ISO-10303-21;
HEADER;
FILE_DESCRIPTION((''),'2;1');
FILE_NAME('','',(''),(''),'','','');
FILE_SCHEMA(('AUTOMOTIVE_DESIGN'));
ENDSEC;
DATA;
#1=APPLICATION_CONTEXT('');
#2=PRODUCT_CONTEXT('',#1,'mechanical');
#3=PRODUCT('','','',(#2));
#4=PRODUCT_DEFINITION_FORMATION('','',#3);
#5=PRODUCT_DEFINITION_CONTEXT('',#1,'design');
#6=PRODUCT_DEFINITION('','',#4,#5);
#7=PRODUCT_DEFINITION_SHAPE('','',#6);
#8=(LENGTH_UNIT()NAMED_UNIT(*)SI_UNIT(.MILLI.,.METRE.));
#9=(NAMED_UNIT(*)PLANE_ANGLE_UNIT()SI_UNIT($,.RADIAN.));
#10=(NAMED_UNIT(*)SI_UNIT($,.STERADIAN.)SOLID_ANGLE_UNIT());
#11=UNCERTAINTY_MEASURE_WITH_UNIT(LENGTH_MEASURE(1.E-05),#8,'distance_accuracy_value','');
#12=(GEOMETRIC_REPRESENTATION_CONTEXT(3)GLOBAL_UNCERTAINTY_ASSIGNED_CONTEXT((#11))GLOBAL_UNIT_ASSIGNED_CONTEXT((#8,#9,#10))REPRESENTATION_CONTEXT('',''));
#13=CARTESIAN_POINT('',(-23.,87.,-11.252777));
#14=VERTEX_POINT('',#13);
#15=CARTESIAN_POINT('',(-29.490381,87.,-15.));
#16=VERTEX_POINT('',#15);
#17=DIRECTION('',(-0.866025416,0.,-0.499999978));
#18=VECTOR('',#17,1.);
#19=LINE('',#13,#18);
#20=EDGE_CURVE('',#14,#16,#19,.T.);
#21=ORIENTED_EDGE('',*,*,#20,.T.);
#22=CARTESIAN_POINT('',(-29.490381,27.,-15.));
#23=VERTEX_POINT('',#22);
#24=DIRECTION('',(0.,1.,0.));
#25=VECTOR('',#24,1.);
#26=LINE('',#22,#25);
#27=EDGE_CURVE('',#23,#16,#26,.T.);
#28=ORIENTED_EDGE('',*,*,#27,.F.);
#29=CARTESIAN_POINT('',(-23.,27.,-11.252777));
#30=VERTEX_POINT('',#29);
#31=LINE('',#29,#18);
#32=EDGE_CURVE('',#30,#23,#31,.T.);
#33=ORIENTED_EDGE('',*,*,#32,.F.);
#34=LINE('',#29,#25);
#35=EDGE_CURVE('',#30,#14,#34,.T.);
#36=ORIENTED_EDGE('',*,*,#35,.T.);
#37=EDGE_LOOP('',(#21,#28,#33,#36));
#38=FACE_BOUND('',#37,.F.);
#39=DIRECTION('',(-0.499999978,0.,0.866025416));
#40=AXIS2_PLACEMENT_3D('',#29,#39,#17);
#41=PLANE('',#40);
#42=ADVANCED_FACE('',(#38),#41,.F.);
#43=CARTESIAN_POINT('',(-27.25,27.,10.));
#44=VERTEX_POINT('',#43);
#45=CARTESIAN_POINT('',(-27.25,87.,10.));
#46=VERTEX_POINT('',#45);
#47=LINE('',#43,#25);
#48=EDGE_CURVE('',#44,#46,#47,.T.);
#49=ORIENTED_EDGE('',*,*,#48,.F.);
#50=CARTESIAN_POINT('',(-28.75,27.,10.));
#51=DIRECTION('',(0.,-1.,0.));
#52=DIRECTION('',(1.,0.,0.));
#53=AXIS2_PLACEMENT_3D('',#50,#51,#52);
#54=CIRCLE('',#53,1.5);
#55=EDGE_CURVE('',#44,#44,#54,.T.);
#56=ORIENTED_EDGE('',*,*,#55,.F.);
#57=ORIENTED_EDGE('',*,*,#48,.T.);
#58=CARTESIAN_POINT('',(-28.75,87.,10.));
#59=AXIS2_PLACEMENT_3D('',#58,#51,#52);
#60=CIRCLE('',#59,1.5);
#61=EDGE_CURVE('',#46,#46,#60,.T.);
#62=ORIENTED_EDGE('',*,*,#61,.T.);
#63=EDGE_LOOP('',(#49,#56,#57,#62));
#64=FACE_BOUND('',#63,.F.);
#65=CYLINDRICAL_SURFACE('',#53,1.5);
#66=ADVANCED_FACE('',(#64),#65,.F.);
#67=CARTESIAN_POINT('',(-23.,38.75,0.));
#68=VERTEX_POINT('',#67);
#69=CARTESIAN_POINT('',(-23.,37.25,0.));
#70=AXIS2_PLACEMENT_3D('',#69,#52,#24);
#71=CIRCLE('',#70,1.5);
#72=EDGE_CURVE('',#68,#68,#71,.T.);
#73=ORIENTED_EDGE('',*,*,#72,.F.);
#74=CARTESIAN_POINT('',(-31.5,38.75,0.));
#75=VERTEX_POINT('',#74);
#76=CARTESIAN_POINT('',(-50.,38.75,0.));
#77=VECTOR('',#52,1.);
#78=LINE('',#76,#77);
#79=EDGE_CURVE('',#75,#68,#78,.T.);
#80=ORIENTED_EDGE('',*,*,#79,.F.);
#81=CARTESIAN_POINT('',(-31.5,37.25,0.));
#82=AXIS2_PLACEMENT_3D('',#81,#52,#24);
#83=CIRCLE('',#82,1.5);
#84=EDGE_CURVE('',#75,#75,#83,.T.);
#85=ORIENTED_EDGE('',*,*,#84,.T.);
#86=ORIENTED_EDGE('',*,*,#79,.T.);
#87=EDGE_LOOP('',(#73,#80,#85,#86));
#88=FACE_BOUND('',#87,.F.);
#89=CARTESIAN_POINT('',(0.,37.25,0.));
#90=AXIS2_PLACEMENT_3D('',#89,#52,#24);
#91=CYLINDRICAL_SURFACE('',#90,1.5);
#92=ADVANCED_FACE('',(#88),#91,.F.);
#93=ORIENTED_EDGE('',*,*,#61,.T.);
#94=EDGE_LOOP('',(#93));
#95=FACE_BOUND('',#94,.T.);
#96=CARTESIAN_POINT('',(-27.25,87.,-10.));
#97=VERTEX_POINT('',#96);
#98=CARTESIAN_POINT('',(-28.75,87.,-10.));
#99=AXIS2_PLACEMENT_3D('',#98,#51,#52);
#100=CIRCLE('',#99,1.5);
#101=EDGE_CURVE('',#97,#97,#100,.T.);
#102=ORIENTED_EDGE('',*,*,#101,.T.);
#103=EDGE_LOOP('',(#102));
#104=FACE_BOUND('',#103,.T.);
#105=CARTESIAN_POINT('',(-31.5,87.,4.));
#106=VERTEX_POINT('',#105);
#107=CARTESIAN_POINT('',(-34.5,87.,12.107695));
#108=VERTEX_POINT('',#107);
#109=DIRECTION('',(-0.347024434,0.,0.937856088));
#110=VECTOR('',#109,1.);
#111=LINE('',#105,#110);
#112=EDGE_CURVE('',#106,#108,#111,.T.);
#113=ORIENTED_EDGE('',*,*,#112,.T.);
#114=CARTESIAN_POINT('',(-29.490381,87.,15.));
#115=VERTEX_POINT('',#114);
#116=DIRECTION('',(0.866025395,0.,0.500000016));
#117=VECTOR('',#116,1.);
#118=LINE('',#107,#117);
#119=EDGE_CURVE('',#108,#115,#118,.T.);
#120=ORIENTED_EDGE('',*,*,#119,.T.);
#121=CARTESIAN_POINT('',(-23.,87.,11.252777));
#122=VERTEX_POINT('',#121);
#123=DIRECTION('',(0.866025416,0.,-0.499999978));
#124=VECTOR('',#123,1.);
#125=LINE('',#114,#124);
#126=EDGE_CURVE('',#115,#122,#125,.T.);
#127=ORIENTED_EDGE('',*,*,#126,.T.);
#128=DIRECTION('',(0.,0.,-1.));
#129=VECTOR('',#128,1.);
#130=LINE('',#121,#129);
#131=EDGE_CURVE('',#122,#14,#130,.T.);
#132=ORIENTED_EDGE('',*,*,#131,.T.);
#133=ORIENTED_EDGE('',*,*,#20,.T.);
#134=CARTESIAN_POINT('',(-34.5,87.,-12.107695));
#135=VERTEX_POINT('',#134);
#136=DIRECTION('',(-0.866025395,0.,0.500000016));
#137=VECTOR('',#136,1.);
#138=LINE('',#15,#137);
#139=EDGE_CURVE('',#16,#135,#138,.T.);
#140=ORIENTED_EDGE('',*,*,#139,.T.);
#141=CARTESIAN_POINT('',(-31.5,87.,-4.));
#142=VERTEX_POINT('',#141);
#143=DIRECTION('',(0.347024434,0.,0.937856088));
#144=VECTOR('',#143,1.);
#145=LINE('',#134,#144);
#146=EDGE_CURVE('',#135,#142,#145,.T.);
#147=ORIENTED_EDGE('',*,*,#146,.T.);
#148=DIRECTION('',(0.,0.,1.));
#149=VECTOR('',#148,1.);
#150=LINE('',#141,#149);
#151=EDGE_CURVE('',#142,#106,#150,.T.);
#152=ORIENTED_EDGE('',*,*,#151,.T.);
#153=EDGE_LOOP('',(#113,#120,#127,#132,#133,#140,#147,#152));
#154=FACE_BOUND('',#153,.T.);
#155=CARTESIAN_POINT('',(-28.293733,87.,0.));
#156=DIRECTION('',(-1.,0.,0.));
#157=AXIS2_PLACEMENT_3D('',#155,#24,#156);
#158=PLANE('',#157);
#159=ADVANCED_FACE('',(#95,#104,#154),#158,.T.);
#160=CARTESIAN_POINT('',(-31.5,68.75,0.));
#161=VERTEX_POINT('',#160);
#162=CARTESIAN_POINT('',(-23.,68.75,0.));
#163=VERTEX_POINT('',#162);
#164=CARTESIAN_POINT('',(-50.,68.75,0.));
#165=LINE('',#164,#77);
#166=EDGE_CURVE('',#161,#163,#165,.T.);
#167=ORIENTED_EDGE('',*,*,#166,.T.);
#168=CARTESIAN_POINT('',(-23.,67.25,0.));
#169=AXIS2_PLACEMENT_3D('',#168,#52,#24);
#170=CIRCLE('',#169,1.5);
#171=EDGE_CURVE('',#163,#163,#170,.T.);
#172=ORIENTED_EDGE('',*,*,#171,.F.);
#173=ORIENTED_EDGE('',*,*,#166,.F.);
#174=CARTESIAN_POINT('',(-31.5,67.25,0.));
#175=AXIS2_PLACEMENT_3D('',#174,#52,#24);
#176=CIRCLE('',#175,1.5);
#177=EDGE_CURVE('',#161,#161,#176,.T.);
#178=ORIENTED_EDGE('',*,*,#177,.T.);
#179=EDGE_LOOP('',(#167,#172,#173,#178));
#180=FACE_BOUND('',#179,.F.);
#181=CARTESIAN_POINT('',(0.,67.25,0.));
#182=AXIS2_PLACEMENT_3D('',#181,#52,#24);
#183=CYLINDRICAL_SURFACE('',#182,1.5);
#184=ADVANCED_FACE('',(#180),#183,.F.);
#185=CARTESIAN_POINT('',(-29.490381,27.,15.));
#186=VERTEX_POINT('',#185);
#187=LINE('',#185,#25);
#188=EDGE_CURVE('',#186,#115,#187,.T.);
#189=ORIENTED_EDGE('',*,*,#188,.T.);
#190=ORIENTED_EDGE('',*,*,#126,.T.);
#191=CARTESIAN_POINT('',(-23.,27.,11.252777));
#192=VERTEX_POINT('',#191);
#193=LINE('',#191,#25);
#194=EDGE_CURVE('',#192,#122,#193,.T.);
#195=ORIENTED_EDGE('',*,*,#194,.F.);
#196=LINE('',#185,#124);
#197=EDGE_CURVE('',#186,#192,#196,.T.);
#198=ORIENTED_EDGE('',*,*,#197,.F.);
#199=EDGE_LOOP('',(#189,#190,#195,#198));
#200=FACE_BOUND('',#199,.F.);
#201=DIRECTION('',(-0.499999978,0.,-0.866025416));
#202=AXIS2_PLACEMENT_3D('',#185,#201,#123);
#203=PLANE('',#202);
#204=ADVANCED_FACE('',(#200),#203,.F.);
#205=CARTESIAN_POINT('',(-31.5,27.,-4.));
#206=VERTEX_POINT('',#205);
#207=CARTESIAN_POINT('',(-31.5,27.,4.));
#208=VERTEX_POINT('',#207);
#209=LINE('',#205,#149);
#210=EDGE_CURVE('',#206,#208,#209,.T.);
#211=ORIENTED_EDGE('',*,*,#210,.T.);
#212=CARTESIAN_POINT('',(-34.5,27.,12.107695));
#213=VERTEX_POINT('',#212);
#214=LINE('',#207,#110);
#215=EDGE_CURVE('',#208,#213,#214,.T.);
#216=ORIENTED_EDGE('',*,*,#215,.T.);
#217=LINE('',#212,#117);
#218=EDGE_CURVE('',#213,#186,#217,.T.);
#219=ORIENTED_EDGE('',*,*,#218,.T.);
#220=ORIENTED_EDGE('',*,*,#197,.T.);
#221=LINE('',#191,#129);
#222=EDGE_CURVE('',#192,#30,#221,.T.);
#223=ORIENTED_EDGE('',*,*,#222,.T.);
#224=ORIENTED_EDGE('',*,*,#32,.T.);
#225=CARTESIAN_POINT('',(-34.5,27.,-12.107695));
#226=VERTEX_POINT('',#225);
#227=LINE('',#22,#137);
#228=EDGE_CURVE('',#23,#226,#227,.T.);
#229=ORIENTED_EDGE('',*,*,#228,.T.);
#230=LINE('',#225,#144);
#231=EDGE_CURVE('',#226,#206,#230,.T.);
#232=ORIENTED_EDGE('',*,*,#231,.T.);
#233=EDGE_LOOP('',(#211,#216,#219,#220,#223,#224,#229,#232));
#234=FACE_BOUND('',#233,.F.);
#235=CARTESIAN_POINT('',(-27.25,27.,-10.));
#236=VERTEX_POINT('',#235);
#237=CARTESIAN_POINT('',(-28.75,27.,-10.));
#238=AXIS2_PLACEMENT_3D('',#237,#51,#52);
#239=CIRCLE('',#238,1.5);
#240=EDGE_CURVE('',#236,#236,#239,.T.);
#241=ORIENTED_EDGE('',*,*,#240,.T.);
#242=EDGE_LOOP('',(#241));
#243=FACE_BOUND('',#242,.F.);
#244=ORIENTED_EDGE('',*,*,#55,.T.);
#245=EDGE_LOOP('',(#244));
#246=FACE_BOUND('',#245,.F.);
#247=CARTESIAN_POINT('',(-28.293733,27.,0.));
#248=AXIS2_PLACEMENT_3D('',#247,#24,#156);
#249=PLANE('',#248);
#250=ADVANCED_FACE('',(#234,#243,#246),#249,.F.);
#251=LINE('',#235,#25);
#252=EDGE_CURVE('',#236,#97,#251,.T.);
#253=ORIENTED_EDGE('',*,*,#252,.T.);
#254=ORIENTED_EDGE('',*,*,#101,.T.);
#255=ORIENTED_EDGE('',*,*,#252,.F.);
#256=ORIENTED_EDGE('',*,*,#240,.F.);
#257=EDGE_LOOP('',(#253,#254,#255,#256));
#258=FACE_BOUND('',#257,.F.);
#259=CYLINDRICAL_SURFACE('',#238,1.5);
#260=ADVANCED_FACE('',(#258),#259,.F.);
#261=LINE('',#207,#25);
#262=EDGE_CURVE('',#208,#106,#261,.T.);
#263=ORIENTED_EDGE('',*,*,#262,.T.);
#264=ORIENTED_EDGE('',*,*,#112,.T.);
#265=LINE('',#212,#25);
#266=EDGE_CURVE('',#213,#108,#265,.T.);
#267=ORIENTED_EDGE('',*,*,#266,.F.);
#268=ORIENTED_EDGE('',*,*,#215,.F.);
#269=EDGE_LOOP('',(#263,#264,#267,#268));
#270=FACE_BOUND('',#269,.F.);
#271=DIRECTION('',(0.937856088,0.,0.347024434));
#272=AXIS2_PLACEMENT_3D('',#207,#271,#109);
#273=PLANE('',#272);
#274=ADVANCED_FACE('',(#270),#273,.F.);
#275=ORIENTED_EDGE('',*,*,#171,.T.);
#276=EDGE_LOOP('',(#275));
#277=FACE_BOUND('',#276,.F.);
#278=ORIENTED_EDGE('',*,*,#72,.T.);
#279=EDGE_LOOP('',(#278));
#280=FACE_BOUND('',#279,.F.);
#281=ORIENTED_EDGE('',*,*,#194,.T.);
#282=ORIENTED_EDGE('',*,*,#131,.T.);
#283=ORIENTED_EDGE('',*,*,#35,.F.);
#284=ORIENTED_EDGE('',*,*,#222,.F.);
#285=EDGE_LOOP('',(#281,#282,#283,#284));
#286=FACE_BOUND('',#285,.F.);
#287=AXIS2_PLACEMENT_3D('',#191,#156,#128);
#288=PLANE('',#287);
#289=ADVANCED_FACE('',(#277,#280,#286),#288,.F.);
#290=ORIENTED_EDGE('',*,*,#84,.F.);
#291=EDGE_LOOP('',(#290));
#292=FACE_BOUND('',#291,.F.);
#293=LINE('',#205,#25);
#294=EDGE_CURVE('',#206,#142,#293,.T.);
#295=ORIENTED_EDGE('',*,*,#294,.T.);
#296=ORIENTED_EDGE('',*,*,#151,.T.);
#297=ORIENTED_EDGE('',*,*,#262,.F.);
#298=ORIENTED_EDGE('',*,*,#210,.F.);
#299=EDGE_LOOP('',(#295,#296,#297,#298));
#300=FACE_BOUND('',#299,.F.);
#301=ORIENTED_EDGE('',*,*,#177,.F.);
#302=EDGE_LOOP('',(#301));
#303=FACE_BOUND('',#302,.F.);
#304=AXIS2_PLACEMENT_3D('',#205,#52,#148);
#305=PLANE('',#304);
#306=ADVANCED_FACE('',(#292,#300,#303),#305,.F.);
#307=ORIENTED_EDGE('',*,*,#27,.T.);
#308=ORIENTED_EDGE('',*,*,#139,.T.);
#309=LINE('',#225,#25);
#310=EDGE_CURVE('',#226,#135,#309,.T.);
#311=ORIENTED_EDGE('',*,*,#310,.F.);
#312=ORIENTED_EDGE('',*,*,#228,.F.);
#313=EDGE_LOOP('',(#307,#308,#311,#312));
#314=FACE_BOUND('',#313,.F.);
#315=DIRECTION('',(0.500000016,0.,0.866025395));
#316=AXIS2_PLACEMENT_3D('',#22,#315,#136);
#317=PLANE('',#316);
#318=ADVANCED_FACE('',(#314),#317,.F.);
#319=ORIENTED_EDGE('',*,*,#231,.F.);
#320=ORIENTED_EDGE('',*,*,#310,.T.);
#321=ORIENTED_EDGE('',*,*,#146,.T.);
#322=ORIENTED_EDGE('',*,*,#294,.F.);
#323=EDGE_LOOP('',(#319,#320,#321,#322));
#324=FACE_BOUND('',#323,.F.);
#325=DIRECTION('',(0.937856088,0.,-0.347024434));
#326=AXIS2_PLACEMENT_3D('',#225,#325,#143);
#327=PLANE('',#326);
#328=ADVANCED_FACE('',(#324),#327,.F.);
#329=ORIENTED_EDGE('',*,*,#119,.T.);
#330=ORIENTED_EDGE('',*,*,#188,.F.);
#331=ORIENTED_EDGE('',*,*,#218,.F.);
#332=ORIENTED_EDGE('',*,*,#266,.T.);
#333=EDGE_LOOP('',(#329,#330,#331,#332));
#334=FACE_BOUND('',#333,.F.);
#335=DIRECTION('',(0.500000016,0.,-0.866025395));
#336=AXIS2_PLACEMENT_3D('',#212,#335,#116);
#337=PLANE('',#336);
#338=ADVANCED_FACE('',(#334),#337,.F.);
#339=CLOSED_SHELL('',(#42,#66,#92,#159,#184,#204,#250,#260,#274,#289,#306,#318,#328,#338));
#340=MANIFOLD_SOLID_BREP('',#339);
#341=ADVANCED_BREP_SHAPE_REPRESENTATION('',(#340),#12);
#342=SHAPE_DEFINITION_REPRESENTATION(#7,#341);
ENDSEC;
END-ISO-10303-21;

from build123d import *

# Parameters (mm, degrees)
SKETCH135_R  = 1.5
PAD107_DEPTH = 50
SKETCH138_R  = 1.5
PAD111_DEPTH = 50
SKETCH098_R  = 1.5
PAD075_DEPTH = 60


with BuildPart() as screwcutout:
    # Sketch135 → Pad107 (new body, symmetric)
    with BuildSketch(Plane(origin=(0, 34, 0), x_dir=(0, 1, 0), z_dir=(1, 0, 0))):
        with Locations((3.25, 0)):
            Circle(SKETCH135_R)
    extrude(amount=PAD107_DEPTH, both=True)


with BuildPart() as sidecutouts:
    # Sketch138 → Pad111 (new body, symmetric)
    with BuildSketch(Plane(origin=(0, 70, 0), x_dir=(0, 1, 0), z_dir=(1, 0, 0))):
        with Locations((-2.75, 0)):
            Circle(SKETCH138_R)
    extrude(amount=PAD111_DEPTH, both=True)

    # Fusion004020008: union ScrewCutout
    add(screwcutout.part)


with BuildPart() as sidewall:
    # Sketch098 → Pad075 (new body)
    with BuildSketch(Plane.XZ.offset(-27)):
        Polygon((-31.5, -4), (-31.5, 4), (-34.5, 12.107695), (-29.490381, 15), (-23, 11.252777), (-23, -11.252777), (-29.490381, -15), (-34.5, -12.107695), align=None)
        with Locations((-28.75, 10)):
            Circle(SKETCH098_R, mode=Mode.SUBTRACT)
        with Locations((-28.75, -10)):
            Circle(SKETCH098_R, mode=Mode.SUBTRACT)
    extrude(amount=-PAD075_DEPTH)

    # Cut007019013: cut sideCutouts
    add(sidecutouts.part, mode=Mode.SUBTRACT)


solid = sidewall.part
